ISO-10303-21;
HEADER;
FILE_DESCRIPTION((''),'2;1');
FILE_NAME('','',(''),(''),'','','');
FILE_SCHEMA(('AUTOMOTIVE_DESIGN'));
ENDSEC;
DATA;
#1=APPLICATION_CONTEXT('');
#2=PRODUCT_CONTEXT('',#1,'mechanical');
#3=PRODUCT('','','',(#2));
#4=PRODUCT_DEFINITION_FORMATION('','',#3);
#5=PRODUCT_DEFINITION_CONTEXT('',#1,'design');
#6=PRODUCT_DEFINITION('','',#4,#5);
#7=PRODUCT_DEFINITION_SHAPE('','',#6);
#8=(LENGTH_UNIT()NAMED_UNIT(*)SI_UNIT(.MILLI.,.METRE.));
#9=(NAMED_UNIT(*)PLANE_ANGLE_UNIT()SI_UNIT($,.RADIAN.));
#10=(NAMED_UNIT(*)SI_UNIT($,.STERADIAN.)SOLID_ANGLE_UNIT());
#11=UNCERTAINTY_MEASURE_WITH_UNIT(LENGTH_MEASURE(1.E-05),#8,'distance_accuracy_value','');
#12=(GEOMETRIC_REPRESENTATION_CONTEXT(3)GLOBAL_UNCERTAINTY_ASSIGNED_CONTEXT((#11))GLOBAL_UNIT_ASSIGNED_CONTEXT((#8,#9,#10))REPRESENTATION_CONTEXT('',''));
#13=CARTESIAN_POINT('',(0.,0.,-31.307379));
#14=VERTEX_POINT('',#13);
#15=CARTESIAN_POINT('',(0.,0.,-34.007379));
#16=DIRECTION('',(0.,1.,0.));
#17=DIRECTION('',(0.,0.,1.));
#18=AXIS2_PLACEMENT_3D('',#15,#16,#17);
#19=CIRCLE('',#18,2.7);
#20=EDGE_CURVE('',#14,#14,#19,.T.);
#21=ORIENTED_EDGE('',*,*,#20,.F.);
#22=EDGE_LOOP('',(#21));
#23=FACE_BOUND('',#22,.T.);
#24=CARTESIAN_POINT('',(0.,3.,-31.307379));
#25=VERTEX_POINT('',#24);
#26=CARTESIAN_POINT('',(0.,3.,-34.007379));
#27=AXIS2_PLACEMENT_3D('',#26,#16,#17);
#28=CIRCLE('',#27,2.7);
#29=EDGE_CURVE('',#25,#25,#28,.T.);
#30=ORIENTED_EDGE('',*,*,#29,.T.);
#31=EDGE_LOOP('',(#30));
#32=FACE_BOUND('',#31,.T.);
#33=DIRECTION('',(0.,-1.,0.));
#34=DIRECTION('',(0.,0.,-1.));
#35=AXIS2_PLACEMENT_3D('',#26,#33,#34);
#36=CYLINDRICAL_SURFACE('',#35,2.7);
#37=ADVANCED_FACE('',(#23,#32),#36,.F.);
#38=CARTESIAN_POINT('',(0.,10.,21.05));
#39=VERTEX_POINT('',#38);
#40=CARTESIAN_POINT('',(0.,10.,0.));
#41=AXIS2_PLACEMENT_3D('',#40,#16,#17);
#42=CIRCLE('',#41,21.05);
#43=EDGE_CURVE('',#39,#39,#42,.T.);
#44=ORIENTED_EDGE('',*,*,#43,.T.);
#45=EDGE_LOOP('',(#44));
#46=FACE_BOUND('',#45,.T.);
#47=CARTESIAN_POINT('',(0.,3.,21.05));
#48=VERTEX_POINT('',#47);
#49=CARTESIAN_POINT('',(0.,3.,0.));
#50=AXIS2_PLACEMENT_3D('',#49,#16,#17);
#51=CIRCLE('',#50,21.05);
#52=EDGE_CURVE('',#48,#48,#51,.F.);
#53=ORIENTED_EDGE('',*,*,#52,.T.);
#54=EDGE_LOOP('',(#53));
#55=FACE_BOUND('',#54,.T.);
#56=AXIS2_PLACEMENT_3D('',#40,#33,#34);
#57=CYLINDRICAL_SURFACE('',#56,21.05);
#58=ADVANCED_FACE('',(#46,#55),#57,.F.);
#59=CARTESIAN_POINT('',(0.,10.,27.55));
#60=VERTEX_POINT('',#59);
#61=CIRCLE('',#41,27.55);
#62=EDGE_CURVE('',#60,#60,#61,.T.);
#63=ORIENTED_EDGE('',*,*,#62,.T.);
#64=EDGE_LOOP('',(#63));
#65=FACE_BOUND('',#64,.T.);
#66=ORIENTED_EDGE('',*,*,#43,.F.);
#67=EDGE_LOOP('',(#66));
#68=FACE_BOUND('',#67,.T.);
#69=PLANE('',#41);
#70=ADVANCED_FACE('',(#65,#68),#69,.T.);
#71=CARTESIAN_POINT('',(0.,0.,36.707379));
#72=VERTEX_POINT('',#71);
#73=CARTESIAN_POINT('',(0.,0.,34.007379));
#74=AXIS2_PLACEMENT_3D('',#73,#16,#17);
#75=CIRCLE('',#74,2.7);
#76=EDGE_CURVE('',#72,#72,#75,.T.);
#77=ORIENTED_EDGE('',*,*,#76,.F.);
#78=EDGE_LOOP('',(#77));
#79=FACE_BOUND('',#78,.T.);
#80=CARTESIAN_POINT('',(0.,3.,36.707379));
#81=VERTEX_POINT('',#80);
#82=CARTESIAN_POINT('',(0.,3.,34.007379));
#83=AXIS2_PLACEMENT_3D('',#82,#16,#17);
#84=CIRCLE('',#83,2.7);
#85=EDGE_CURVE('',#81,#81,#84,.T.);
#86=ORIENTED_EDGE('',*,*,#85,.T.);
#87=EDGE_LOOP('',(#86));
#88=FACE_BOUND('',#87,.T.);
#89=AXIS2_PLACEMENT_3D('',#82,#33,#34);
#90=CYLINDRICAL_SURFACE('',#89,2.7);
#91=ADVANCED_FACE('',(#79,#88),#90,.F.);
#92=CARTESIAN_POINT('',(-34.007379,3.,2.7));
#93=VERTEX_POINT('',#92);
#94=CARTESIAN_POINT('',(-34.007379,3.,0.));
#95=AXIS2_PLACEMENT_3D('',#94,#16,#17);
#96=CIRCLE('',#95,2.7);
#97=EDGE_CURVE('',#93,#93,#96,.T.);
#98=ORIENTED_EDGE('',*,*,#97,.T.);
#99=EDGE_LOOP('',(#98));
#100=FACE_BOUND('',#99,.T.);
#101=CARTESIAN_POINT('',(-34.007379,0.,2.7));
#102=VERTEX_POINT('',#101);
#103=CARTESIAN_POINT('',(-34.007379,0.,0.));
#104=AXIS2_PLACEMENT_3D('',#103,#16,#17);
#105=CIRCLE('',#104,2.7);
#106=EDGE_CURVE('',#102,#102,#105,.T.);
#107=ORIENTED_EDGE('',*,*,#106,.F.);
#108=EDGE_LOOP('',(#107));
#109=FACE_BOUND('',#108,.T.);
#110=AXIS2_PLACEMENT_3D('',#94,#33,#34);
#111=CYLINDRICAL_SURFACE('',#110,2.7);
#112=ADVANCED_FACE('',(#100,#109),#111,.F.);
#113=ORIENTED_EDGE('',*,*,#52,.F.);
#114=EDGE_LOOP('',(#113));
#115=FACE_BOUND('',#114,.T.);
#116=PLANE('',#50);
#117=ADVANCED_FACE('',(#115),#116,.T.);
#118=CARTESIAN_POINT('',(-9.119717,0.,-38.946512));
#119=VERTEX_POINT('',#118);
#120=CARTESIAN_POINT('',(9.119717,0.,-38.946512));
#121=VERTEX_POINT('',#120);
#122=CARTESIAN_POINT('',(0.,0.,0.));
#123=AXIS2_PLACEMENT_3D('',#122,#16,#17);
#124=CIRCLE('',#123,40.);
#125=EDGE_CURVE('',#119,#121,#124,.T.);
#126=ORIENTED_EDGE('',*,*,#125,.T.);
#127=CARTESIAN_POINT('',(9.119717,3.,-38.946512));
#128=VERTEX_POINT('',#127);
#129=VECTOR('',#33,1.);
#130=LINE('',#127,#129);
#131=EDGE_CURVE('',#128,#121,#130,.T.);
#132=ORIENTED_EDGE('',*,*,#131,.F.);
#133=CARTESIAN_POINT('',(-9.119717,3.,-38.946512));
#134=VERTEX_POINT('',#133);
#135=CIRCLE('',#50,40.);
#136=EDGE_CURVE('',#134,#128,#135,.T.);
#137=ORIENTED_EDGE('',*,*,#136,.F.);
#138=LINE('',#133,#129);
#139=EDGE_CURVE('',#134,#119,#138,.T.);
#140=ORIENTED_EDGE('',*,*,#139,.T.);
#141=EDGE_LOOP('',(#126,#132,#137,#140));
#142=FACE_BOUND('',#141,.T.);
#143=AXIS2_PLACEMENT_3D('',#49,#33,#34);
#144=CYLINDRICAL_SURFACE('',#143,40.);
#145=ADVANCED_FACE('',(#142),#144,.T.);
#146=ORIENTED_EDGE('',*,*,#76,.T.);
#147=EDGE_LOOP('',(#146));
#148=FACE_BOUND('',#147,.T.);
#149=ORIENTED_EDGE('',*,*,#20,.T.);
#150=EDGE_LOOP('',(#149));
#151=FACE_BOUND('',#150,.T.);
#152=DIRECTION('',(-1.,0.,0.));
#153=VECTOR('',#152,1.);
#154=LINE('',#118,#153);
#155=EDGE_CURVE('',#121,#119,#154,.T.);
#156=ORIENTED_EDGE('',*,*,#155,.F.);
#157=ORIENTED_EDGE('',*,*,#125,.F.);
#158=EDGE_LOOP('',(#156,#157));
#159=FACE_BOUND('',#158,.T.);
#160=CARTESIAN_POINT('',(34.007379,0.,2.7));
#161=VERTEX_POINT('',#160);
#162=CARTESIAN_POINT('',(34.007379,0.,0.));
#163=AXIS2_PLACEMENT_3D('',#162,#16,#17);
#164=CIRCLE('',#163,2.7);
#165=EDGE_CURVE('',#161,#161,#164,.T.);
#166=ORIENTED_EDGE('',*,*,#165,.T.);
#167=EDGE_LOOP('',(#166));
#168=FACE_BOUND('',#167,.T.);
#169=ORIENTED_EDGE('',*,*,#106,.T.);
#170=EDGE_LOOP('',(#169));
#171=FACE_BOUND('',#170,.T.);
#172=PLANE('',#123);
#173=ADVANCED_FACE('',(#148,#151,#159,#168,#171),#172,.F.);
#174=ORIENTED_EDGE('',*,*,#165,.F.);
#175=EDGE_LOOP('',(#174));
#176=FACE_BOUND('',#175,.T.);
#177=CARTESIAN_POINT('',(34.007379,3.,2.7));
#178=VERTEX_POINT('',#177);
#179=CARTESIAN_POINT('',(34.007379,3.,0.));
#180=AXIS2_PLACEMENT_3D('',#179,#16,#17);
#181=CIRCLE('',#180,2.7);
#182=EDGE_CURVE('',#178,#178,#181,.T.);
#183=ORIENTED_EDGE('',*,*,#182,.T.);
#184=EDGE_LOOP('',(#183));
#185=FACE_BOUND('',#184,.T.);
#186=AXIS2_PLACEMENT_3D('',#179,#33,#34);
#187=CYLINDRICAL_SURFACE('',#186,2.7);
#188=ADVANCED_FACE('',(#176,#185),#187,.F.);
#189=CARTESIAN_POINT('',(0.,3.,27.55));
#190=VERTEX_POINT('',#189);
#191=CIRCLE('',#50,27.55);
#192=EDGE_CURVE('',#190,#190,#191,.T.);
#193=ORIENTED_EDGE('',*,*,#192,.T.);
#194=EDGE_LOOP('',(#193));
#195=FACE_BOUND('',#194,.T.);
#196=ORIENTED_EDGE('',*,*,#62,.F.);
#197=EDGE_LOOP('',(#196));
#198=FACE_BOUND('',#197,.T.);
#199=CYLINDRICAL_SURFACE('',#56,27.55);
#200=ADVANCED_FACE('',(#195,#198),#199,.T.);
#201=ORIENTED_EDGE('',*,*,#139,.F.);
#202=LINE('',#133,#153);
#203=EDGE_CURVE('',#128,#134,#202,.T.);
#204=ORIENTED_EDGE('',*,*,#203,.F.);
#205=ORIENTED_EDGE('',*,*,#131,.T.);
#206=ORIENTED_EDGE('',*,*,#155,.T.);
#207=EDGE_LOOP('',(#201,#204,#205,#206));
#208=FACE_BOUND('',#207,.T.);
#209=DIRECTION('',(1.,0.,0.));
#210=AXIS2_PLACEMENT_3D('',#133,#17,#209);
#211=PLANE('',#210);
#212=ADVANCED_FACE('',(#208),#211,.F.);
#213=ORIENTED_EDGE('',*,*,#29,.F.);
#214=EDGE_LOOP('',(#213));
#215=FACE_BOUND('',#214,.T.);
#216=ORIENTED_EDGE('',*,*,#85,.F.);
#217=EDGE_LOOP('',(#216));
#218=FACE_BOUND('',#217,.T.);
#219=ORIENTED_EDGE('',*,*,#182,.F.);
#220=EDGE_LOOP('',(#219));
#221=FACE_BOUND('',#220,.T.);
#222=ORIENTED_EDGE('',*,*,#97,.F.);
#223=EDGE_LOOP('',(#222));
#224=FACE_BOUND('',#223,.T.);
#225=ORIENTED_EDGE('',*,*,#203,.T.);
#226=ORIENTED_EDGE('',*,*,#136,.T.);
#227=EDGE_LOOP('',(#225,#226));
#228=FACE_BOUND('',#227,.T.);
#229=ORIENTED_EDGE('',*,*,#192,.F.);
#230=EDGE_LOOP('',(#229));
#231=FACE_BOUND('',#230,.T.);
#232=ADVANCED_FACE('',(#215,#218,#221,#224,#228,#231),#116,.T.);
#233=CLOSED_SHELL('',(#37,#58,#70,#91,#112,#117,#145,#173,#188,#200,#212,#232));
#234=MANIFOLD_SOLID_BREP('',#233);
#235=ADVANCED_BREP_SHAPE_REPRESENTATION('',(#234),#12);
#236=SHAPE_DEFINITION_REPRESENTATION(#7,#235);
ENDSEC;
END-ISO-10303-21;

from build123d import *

# Parameters (mm, degrees)
SKETCH1_R           = 2.7
BOSS_EXTRUDE1_DEPTH = 3
SKETCH2_R           = 27.55
SKETCH2_R_2         = 21.05
BOSS_EXTRUDE2_DEPTH = 7


with BuildPart() as part:
    # Sketch1 → Boss-Extrude1 (new body)
    with BuildSketch(Plane(origin=(0, 0, 0), x_dir=(1, 0, 0), z_dir=(0, 1, 0))):
        with BuildLine():
            Line((-9.11971668, 38.946511624), (9.11971668, 38.946511624))
            ThreePointArc((9.11971668, 38.946511624), (0, -40), (-9.11971668, 38.946511624))
        make_face()
        with Locations(Location((0, 34.007379053, 0), (0, 0, 270))):
            Circle(SKETCH1_R, mode=Mode.SUBTRACT)
        with Locations(Location((34.007379053, 0, 0), (0, 0, 270))):
            Circle(SKETCH1_R, mode=Mode.SUBTRACT)
        with Locations(Location((-34.007379053, 0, 0), (0, 0, 270))):
            Circle(SKETCH1_R, mode=Mode.SUBTRACT)
        with Locations(Location((0, -34.007379053, 0), (0, 0, 270))):
            Circle(SKETCH1_R, mode=Mode.SUBTRACT)
    extrude(amount=BOSS_EXTRUDE1_DEPTH)

    # Sketch2 → Boss-Extrude2 (add)
    with BuildSketch(Plane(origin=(0, 3, 0), x_dir=(1, 0, 0), z_dir=(0, 1, 0))):
        with Locations(Location((0, 0, 0), (0, 0, 270))):
            Circle(SKETCH2_R)
        with Locations(Location((0, 0, 0), (0, 0, 270))):
            Circle(SKETCH2_R_2, mode=Mode.SUBTRACT)
    extrude(amount=BOSS_EXTRUDE2_DEPTH)


solid = part.part
